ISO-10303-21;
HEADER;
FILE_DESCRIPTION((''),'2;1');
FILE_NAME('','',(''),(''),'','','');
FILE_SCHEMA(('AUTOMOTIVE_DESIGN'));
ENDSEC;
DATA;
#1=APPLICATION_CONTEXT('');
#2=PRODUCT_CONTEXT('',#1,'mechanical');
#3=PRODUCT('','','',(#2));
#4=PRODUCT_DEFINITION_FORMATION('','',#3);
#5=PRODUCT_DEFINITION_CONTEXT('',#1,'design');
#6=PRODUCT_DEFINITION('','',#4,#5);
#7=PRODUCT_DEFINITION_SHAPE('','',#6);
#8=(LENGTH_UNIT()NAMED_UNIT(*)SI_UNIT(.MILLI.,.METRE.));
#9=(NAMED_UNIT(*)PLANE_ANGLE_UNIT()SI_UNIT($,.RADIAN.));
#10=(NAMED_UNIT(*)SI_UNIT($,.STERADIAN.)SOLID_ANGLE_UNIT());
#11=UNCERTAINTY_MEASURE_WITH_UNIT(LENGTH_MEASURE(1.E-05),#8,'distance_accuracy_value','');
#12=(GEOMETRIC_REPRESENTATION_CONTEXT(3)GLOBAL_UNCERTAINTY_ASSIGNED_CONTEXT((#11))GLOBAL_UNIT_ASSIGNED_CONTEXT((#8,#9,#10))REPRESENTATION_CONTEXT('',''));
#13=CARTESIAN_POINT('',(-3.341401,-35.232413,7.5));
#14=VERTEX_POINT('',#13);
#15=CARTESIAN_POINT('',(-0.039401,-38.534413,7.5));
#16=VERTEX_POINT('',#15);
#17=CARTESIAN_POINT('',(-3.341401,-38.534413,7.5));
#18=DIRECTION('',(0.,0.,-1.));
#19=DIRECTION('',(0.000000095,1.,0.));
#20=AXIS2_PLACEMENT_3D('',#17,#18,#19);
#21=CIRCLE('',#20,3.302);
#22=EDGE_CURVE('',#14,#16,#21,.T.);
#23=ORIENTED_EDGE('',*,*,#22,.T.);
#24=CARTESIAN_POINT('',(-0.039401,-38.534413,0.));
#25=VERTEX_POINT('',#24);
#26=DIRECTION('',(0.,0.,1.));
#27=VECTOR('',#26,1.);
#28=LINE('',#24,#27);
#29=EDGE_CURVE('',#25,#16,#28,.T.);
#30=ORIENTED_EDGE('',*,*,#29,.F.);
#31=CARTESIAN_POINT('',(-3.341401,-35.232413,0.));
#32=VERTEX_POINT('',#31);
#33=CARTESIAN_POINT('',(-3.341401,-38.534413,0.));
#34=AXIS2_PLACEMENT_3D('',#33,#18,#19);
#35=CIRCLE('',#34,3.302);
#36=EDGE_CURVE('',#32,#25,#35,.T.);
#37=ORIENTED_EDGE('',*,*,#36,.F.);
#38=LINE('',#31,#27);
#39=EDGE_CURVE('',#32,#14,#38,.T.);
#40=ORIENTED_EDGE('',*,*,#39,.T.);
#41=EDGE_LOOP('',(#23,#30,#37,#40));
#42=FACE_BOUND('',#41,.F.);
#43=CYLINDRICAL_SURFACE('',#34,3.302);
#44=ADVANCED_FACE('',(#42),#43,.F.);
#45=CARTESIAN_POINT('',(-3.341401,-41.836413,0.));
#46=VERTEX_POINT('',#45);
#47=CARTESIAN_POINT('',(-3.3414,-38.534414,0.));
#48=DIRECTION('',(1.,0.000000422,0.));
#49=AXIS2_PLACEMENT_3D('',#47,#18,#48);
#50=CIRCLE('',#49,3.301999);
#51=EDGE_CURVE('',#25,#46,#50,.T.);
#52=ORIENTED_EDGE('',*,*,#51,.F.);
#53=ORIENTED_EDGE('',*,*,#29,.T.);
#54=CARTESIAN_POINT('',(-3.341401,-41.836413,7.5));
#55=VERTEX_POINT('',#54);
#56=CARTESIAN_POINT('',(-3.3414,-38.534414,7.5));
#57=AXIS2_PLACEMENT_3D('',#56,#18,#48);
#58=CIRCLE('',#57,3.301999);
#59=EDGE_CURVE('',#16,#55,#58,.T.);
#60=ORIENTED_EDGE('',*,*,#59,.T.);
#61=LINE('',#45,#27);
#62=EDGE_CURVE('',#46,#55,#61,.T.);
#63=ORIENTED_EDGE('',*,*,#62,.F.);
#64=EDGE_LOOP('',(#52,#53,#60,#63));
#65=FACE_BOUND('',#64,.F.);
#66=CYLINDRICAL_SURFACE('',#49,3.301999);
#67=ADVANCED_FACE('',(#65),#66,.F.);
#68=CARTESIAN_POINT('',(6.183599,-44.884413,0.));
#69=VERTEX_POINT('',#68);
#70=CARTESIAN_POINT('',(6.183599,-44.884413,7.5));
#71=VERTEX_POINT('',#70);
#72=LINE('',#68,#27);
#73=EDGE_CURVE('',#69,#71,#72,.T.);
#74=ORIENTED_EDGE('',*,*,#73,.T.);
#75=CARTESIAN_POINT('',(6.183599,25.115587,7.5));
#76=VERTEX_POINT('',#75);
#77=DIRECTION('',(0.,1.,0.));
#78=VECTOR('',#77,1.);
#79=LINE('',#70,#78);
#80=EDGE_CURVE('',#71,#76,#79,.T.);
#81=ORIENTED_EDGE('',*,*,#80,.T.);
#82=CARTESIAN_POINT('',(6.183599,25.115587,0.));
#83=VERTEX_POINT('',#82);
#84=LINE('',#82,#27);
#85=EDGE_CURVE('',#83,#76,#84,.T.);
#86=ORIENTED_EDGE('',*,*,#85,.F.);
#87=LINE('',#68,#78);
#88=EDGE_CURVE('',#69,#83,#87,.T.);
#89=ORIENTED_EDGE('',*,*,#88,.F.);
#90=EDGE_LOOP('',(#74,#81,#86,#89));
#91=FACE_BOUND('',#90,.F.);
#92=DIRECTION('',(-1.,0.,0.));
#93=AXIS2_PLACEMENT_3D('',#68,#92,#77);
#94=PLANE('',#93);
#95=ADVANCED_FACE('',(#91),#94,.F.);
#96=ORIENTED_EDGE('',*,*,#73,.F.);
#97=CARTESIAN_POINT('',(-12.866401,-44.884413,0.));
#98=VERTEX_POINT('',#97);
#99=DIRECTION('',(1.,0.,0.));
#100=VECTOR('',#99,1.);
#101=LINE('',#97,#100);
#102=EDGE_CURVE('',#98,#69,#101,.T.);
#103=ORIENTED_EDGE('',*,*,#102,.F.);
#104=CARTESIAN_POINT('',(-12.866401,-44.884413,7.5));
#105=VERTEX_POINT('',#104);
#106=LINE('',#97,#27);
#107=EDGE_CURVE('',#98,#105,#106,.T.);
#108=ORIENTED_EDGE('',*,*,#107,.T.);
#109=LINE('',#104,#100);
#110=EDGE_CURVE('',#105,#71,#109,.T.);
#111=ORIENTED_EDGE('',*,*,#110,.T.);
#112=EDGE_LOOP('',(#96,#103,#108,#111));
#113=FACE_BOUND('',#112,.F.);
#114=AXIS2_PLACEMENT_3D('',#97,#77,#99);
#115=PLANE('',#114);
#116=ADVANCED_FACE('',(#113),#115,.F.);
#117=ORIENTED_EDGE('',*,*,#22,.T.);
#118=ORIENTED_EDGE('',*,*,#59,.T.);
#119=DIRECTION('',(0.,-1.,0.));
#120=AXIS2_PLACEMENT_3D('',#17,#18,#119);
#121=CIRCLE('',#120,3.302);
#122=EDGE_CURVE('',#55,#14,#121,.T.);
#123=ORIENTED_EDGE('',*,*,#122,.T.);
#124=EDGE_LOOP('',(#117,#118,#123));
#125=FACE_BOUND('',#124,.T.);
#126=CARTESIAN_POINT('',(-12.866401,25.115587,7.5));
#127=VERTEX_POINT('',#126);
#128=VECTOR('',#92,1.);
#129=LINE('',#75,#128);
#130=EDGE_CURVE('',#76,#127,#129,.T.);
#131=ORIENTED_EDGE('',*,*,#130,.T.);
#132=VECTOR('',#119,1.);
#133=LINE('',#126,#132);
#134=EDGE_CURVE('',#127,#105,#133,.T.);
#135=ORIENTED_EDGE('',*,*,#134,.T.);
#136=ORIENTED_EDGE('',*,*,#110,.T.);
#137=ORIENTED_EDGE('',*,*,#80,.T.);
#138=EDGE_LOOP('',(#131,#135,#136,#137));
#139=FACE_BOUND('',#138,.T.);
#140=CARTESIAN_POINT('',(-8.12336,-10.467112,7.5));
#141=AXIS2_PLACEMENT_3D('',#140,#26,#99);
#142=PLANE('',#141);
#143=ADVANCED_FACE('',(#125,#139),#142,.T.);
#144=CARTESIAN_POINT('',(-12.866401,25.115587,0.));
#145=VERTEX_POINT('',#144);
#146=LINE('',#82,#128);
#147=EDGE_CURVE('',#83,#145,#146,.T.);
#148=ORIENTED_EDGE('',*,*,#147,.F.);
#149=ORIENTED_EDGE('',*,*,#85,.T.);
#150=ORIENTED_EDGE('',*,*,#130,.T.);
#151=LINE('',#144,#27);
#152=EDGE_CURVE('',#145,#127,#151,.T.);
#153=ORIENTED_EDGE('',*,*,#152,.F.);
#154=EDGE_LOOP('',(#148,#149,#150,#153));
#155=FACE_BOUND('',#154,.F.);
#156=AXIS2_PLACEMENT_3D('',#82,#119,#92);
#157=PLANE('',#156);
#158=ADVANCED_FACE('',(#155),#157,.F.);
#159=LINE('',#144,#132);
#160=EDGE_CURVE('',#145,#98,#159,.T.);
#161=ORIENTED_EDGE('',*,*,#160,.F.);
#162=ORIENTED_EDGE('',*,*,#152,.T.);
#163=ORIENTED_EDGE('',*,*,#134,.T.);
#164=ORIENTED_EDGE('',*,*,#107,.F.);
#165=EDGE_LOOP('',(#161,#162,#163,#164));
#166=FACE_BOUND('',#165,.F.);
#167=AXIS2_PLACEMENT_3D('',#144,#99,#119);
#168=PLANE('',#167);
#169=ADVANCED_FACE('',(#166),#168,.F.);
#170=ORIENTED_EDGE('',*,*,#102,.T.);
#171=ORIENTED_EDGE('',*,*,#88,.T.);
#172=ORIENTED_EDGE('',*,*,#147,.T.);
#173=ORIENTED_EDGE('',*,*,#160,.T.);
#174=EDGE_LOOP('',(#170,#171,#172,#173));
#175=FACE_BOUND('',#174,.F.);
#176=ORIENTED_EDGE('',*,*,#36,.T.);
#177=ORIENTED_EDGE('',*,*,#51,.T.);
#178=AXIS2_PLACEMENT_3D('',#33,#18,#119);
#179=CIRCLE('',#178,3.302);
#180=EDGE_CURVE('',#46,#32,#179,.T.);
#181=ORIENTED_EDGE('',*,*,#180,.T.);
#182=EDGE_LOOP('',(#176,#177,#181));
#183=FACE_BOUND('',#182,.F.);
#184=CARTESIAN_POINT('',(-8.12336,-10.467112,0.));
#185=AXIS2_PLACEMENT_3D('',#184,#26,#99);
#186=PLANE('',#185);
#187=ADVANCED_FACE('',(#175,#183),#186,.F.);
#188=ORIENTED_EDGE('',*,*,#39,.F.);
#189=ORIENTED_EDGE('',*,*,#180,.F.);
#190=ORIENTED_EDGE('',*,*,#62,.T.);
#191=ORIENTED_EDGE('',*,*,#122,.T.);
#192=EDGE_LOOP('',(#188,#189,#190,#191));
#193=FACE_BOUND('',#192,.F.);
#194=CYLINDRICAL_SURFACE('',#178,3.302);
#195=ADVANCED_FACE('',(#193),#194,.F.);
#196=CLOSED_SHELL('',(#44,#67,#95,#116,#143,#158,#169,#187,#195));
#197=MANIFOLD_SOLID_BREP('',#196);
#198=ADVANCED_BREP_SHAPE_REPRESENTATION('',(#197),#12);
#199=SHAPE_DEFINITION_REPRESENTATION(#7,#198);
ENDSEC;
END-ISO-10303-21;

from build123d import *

# Parameters (mm, degrees)
F1_DEPTH = 7.5


with BuildPart() as f1:
    # F0 (on Top) → F1 (new body)
    with BuildSketch(Plane.XY):
        with BuildLine():
            Line((-3.341401, 25.115587), (-12.866401, 25.115587))
            Line((-12.866401, 25.115587), (-12.866401, -44.884413))
            Line((-12.866401, -44.884413), (-3.341401, -44.884413))
            Line((-3.341401, -44.884413), (-3.341401, -41.836413))
            ThreePointArc((-3.341401, -41.836413), (-6.643401, -38.534413), (-3.341401, -35.232413))
            Line((-3.341401, -35.232413), (-3.341401, 25.115587))
        make_face()
        with BuildLine():
            Line((6.183599, 25.115587), (-3.341401, 25.115587))
            Line((-3.341401, 25.115587), (-3.341401, -35.232413))
            ThreePointArc((-3.341401, -35.232413), (-1.006534, -36.199547), (-0.039401, -38.534413))
            ThreePointArc((-0.039401, -38.534413), (-1.006534, -40.86928), (-3.341401, -41.836413))
            Line((-3.341401, -41.836413), (-3.341401, -44.884413))
            Line((-3.341401, -44.884413), (6.183599, -44.884413))
            Line((6.183599, -44.884413), (6.183599, 25.115587))
        make_face()
    extrude(amount=F1_DEPTH)


solid = f1.part
